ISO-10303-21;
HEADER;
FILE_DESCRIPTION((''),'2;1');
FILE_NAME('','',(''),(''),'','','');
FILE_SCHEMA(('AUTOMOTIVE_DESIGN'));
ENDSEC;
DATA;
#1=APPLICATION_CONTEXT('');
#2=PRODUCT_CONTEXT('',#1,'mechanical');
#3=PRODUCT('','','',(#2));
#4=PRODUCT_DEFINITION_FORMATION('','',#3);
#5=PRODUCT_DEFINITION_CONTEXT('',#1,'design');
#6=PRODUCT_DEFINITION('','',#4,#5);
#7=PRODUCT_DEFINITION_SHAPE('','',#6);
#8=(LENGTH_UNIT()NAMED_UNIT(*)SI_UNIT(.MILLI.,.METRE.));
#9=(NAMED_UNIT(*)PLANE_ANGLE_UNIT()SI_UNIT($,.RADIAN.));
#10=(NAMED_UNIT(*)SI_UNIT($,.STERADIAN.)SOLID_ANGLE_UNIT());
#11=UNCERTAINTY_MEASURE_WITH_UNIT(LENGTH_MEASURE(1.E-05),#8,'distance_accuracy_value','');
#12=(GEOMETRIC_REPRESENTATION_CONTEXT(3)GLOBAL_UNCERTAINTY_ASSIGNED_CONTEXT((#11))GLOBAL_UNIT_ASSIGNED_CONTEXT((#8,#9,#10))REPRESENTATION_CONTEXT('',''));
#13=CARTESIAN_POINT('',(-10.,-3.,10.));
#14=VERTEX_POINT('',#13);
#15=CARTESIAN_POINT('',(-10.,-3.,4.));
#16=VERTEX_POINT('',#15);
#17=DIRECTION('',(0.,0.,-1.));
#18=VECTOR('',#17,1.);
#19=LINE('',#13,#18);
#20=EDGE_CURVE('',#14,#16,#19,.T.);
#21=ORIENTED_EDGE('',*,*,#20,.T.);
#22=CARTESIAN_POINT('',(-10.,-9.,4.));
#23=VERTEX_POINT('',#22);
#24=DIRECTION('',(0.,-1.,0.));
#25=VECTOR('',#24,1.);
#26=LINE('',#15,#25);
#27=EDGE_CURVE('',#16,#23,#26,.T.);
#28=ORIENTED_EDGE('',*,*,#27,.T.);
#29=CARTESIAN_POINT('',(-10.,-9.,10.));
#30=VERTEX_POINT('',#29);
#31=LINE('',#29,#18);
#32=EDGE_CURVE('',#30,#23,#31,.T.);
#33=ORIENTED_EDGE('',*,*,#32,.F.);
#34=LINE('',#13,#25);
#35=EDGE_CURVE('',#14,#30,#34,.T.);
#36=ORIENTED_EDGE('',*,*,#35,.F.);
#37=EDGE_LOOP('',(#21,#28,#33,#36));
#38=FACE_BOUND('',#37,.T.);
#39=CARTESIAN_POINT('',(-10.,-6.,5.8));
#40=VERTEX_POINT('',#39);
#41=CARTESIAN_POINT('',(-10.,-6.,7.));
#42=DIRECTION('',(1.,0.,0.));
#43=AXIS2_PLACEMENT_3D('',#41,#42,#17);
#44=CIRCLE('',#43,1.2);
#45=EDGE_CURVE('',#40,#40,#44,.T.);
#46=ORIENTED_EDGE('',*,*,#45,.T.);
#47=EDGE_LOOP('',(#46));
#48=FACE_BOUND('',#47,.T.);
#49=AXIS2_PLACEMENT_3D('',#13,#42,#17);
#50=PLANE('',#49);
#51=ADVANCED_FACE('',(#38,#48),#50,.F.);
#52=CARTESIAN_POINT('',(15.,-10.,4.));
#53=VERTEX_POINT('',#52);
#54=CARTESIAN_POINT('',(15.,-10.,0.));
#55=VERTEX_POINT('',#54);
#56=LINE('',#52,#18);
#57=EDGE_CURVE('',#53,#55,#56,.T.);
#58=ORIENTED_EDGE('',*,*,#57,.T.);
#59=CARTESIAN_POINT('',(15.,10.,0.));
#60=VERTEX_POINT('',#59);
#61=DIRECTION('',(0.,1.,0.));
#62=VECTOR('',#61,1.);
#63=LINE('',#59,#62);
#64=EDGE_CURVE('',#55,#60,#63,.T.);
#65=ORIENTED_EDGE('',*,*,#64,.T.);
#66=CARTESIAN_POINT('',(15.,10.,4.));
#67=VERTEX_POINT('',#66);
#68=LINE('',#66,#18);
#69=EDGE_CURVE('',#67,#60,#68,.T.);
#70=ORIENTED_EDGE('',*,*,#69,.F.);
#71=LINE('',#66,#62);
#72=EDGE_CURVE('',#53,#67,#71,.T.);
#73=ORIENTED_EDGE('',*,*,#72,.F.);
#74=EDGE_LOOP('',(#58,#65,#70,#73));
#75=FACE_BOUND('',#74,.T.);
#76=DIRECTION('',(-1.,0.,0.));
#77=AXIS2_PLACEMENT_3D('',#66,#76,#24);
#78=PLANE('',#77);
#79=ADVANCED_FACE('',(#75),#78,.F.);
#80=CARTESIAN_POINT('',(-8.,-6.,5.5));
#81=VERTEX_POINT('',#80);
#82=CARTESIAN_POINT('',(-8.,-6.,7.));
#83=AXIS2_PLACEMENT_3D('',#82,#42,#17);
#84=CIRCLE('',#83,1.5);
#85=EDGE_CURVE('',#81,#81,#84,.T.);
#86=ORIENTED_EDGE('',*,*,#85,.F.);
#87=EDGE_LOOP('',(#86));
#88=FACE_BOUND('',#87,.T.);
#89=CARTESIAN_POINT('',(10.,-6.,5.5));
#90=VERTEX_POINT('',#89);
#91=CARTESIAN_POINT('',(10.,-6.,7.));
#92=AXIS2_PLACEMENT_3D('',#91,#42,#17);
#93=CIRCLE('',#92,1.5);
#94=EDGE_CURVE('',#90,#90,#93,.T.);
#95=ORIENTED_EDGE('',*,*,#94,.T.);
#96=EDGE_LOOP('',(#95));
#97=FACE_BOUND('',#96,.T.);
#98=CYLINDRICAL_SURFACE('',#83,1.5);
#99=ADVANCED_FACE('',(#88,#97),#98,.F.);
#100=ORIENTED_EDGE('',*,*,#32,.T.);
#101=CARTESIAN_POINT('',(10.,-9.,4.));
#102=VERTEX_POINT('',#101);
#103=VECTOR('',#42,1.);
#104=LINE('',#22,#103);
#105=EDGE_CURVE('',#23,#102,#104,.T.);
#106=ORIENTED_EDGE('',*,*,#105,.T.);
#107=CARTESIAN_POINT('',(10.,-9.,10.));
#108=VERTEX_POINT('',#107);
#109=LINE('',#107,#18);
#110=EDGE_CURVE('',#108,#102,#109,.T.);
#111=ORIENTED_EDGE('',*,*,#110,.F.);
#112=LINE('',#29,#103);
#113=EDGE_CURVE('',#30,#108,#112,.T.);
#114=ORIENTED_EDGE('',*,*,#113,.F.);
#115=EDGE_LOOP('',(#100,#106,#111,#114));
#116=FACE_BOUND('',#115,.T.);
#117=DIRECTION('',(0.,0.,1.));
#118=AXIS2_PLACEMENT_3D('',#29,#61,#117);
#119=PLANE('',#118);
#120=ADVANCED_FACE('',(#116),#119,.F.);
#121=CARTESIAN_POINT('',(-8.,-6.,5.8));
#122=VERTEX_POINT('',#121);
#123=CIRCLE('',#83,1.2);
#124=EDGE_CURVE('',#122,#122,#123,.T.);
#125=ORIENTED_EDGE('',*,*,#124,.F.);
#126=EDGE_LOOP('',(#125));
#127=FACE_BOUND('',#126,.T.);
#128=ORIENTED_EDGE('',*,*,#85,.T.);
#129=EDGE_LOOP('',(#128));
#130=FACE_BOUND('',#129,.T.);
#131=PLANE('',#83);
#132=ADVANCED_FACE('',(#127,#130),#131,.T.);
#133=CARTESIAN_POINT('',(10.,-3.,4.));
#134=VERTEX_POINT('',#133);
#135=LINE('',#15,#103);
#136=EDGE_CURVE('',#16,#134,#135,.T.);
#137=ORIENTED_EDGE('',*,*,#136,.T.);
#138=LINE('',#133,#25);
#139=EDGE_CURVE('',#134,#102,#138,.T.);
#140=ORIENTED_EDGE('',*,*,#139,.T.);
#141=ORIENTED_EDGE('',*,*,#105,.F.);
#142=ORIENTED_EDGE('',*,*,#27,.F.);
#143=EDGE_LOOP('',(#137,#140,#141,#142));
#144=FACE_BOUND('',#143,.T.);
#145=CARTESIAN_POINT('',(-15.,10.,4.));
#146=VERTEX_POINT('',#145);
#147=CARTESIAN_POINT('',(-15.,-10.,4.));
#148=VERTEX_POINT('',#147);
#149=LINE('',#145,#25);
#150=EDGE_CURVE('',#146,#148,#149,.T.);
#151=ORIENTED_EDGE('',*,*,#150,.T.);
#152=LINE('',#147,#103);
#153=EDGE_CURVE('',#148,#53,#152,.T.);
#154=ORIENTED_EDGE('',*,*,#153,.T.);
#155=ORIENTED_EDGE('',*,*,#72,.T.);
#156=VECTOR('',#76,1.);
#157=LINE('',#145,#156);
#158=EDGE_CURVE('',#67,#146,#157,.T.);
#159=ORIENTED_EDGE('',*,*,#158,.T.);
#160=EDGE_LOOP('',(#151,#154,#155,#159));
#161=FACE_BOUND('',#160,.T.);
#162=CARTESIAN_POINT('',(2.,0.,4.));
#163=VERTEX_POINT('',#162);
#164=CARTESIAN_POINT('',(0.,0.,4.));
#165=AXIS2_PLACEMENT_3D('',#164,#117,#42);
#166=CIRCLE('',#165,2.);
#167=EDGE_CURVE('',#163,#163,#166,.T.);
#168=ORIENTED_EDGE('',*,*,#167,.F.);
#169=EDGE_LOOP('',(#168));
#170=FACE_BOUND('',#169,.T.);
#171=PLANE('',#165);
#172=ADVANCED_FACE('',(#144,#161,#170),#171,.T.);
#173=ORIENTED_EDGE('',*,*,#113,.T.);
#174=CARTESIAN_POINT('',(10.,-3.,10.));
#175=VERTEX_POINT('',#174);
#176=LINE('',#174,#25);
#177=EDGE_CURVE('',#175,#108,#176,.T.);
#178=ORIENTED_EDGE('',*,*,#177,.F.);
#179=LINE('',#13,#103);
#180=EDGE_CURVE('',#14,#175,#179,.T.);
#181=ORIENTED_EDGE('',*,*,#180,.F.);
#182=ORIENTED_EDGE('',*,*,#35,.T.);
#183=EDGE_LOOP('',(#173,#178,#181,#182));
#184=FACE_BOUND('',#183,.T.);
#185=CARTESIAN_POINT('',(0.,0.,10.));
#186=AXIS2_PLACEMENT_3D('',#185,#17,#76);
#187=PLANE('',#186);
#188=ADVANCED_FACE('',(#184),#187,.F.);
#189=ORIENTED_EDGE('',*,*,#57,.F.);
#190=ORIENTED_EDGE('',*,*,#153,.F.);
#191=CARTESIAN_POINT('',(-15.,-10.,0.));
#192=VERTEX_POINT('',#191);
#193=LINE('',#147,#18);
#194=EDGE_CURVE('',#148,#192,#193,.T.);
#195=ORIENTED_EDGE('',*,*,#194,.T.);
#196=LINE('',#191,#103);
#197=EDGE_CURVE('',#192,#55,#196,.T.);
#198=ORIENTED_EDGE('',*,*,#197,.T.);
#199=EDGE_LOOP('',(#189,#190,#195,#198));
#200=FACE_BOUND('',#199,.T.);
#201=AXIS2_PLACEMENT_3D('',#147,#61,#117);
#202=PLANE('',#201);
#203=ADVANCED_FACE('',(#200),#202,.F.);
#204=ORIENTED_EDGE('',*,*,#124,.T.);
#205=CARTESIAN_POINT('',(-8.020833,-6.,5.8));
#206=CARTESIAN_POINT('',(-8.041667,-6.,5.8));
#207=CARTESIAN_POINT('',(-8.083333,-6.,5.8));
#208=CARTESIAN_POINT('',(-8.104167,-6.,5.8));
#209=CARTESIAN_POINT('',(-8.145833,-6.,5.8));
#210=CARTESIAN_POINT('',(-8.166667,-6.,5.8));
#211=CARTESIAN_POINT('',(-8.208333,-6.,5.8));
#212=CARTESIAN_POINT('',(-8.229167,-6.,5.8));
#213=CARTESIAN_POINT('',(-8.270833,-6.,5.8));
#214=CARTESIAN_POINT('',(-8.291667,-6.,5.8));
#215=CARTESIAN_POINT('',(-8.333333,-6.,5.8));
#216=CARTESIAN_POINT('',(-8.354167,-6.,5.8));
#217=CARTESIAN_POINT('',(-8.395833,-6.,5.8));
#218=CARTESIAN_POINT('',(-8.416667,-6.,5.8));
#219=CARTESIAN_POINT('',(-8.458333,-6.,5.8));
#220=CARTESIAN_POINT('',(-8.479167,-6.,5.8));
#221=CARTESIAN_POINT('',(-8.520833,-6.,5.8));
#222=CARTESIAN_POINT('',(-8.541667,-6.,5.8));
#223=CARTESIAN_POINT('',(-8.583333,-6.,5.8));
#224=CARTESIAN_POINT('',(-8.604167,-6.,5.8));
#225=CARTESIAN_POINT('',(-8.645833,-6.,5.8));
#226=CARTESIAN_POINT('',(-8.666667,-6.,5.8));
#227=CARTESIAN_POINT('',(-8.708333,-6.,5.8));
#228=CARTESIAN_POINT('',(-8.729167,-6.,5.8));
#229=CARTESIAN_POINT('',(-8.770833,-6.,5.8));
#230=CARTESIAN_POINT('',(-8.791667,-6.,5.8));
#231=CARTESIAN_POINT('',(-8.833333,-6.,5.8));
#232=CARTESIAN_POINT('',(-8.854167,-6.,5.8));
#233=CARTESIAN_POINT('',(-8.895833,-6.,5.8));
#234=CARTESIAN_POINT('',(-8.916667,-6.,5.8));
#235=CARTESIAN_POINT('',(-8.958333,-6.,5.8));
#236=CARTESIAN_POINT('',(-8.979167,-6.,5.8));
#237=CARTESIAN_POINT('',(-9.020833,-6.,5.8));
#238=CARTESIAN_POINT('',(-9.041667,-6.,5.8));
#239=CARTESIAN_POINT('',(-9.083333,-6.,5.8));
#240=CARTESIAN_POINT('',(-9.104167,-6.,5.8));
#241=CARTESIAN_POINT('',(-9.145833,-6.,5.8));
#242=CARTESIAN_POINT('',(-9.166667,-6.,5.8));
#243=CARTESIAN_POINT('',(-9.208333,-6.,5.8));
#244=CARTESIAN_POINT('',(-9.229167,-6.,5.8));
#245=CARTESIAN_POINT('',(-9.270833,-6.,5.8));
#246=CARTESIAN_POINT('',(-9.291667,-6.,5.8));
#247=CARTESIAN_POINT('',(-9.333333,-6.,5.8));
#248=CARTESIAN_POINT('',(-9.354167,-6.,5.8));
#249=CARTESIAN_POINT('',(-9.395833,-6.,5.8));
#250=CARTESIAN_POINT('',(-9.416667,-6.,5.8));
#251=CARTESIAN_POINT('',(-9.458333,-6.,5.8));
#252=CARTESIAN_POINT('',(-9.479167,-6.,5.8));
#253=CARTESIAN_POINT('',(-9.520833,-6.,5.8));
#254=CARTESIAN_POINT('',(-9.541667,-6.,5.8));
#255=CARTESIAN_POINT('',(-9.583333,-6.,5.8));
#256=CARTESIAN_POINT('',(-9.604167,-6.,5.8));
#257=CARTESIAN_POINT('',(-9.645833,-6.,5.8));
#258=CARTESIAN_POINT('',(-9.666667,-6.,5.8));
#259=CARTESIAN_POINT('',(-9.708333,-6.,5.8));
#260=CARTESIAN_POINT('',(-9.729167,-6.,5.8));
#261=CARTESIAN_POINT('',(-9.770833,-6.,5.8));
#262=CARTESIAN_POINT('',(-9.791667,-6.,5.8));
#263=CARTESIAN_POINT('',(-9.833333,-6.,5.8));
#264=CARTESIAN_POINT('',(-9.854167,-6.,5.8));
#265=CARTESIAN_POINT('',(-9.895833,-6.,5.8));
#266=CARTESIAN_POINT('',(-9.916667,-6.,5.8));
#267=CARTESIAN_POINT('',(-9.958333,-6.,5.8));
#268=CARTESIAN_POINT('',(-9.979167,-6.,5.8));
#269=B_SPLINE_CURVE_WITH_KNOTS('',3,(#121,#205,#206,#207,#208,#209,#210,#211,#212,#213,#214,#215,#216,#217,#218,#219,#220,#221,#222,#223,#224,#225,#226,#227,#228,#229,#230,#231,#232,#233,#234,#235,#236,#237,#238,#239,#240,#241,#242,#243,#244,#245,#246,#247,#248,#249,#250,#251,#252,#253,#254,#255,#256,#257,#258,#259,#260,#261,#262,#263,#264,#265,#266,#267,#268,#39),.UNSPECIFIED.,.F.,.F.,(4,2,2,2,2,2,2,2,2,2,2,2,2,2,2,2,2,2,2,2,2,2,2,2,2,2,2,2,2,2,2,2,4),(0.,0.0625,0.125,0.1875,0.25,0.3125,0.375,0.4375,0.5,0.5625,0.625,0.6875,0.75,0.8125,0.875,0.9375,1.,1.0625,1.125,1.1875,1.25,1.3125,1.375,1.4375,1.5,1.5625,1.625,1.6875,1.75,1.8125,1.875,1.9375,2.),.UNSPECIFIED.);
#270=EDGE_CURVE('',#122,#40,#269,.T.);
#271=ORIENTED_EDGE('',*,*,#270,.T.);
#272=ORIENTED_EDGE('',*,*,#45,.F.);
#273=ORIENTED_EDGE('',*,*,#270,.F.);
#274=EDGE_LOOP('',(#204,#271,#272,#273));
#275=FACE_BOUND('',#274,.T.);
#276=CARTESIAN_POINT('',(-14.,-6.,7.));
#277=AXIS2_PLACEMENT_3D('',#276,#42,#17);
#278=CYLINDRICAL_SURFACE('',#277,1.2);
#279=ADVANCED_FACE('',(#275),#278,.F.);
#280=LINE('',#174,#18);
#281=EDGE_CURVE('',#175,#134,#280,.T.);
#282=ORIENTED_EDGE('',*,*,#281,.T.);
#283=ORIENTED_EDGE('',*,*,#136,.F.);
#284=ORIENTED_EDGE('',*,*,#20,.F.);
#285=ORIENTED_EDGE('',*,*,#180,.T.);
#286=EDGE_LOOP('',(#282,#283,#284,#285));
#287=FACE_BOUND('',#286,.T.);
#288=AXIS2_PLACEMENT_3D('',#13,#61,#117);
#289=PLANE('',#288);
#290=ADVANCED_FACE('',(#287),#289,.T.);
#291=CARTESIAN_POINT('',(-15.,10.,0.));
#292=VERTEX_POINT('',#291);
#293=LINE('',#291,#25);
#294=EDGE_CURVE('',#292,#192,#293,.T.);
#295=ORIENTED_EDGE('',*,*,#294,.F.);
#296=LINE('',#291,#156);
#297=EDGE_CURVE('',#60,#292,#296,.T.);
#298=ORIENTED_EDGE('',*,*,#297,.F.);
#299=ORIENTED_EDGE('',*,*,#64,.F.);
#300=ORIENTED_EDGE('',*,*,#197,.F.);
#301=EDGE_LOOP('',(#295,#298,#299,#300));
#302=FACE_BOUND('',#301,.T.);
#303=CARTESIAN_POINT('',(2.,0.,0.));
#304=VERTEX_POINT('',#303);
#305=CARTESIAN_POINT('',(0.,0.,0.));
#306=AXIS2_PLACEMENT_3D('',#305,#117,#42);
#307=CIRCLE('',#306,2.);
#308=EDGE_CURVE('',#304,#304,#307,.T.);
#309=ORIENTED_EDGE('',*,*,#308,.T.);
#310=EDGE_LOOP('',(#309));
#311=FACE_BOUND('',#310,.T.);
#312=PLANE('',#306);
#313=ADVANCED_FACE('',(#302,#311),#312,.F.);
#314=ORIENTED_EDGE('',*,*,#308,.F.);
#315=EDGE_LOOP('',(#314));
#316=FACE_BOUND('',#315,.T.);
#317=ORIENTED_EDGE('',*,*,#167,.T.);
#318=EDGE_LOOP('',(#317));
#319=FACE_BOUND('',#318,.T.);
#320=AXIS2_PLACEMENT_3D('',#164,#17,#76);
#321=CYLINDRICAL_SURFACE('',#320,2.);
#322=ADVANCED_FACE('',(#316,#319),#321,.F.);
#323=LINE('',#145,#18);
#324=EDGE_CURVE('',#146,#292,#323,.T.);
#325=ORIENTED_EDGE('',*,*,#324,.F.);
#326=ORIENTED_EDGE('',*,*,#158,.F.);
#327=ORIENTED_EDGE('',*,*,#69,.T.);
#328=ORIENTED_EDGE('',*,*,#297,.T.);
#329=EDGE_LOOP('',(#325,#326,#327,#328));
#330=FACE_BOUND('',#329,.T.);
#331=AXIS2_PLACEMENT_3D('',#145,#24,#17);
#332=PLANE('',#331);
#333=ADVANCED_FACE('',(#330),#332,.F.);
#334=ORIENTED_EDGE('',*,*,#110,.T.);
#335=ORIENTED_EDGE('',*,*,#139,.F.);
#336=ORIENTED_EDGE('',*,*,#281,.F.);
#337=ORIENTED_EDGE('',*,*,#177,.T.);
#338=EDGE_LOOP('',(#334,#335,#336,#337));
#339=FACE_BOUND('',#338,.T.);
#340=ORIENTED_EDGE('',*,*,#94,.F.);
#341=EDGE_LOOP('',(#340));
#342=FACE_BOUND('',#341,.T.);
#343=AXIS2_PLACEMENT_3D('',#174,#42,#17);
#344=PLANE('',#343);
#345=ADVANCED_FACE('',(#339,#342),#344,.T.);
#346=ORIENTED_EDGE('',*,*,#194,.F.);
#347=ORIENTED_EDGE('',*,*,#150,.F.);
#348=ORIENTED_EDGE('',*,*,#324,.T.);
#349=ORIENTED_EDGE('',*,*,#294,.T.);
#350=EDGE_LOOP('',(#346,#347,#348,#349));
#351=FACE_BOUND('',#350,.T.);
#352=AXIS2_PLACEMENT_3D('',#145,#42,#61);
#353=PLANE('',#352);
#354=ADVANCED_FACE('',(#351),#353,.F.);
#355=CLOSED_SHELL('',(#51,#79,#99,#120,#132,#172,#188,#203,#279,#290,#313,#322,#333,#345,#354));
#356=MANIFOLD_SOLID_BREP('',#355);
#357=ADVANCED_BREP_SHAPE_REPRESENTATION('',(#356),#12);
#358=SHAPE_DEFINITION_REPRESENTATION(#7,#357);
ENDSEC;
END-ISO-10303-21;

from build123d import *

# Parameters (mm, degrees)
SKETCH1_W           = 30
SKETCH1_H           = 20
SKETCH1_R           = 2
BOSS_EXTRUDE1_DEPTH = 4
SKETCH2_W           = 20
SKETCH2_H           = 6
BOSS_EXTRUDE2_DEPTH = 6
SKETCH4_R           = 1.5
CUT_EXTRUDE1_DEPTH  = 18
SKETCH5_R           = 1.2
CUT_EXTRUDE2_DEPTH  = 6


with BuildPart() as part:
    # Sketch1 → Boss-Extrude1 (new body)
    with BuildSketch(Plane.XY):
        Rectangle(SKETCH1_W, SKETCH1_H)
        Circle(SKETCH1_R, mode=Mode.SUBTRACT)
    extrude(amount=BOSS_EXTRUDE1_DEPTH)

    # Sketch2 → Boss-Extrude2 (add)
    with BuildSketch(Plane.XY.offset(4)):
        with Locations((0, -6)):
            Rectangle(SKETCH2_W, SKETCH2_H)
    extrude(amount=BOSS_EXTRUDE2_DEPTH)

    # Sketch4 → Cut-Extrude1 (cut)
    with BuildSketch(Plane(origin=(10, 0, 0), x_dir=(0, 0, -1), z_dir=(1, 0, 0))):
        with Locations((-7, -6)):
            Circle(SKETCH4_R)
    extrude(amount=-CUT_EXTRUDE1_DEPTH, mode=Mode.SUBTRACT)

    # Sketch5 → Cut-Extrude2 (cut)
    with BuildSketch(Plane(origin=(-8, 0, 0), x_dir=(0, 0, -1), z_dir=(1, 0, 0))):
        with Locations((-7, -6)):
            Circle(SKETCH5_R)
    extrude(amount=-CUT_EXTRUDE2_DEPTH, mode=Mode.SUBTRACT)


solid = part.part
